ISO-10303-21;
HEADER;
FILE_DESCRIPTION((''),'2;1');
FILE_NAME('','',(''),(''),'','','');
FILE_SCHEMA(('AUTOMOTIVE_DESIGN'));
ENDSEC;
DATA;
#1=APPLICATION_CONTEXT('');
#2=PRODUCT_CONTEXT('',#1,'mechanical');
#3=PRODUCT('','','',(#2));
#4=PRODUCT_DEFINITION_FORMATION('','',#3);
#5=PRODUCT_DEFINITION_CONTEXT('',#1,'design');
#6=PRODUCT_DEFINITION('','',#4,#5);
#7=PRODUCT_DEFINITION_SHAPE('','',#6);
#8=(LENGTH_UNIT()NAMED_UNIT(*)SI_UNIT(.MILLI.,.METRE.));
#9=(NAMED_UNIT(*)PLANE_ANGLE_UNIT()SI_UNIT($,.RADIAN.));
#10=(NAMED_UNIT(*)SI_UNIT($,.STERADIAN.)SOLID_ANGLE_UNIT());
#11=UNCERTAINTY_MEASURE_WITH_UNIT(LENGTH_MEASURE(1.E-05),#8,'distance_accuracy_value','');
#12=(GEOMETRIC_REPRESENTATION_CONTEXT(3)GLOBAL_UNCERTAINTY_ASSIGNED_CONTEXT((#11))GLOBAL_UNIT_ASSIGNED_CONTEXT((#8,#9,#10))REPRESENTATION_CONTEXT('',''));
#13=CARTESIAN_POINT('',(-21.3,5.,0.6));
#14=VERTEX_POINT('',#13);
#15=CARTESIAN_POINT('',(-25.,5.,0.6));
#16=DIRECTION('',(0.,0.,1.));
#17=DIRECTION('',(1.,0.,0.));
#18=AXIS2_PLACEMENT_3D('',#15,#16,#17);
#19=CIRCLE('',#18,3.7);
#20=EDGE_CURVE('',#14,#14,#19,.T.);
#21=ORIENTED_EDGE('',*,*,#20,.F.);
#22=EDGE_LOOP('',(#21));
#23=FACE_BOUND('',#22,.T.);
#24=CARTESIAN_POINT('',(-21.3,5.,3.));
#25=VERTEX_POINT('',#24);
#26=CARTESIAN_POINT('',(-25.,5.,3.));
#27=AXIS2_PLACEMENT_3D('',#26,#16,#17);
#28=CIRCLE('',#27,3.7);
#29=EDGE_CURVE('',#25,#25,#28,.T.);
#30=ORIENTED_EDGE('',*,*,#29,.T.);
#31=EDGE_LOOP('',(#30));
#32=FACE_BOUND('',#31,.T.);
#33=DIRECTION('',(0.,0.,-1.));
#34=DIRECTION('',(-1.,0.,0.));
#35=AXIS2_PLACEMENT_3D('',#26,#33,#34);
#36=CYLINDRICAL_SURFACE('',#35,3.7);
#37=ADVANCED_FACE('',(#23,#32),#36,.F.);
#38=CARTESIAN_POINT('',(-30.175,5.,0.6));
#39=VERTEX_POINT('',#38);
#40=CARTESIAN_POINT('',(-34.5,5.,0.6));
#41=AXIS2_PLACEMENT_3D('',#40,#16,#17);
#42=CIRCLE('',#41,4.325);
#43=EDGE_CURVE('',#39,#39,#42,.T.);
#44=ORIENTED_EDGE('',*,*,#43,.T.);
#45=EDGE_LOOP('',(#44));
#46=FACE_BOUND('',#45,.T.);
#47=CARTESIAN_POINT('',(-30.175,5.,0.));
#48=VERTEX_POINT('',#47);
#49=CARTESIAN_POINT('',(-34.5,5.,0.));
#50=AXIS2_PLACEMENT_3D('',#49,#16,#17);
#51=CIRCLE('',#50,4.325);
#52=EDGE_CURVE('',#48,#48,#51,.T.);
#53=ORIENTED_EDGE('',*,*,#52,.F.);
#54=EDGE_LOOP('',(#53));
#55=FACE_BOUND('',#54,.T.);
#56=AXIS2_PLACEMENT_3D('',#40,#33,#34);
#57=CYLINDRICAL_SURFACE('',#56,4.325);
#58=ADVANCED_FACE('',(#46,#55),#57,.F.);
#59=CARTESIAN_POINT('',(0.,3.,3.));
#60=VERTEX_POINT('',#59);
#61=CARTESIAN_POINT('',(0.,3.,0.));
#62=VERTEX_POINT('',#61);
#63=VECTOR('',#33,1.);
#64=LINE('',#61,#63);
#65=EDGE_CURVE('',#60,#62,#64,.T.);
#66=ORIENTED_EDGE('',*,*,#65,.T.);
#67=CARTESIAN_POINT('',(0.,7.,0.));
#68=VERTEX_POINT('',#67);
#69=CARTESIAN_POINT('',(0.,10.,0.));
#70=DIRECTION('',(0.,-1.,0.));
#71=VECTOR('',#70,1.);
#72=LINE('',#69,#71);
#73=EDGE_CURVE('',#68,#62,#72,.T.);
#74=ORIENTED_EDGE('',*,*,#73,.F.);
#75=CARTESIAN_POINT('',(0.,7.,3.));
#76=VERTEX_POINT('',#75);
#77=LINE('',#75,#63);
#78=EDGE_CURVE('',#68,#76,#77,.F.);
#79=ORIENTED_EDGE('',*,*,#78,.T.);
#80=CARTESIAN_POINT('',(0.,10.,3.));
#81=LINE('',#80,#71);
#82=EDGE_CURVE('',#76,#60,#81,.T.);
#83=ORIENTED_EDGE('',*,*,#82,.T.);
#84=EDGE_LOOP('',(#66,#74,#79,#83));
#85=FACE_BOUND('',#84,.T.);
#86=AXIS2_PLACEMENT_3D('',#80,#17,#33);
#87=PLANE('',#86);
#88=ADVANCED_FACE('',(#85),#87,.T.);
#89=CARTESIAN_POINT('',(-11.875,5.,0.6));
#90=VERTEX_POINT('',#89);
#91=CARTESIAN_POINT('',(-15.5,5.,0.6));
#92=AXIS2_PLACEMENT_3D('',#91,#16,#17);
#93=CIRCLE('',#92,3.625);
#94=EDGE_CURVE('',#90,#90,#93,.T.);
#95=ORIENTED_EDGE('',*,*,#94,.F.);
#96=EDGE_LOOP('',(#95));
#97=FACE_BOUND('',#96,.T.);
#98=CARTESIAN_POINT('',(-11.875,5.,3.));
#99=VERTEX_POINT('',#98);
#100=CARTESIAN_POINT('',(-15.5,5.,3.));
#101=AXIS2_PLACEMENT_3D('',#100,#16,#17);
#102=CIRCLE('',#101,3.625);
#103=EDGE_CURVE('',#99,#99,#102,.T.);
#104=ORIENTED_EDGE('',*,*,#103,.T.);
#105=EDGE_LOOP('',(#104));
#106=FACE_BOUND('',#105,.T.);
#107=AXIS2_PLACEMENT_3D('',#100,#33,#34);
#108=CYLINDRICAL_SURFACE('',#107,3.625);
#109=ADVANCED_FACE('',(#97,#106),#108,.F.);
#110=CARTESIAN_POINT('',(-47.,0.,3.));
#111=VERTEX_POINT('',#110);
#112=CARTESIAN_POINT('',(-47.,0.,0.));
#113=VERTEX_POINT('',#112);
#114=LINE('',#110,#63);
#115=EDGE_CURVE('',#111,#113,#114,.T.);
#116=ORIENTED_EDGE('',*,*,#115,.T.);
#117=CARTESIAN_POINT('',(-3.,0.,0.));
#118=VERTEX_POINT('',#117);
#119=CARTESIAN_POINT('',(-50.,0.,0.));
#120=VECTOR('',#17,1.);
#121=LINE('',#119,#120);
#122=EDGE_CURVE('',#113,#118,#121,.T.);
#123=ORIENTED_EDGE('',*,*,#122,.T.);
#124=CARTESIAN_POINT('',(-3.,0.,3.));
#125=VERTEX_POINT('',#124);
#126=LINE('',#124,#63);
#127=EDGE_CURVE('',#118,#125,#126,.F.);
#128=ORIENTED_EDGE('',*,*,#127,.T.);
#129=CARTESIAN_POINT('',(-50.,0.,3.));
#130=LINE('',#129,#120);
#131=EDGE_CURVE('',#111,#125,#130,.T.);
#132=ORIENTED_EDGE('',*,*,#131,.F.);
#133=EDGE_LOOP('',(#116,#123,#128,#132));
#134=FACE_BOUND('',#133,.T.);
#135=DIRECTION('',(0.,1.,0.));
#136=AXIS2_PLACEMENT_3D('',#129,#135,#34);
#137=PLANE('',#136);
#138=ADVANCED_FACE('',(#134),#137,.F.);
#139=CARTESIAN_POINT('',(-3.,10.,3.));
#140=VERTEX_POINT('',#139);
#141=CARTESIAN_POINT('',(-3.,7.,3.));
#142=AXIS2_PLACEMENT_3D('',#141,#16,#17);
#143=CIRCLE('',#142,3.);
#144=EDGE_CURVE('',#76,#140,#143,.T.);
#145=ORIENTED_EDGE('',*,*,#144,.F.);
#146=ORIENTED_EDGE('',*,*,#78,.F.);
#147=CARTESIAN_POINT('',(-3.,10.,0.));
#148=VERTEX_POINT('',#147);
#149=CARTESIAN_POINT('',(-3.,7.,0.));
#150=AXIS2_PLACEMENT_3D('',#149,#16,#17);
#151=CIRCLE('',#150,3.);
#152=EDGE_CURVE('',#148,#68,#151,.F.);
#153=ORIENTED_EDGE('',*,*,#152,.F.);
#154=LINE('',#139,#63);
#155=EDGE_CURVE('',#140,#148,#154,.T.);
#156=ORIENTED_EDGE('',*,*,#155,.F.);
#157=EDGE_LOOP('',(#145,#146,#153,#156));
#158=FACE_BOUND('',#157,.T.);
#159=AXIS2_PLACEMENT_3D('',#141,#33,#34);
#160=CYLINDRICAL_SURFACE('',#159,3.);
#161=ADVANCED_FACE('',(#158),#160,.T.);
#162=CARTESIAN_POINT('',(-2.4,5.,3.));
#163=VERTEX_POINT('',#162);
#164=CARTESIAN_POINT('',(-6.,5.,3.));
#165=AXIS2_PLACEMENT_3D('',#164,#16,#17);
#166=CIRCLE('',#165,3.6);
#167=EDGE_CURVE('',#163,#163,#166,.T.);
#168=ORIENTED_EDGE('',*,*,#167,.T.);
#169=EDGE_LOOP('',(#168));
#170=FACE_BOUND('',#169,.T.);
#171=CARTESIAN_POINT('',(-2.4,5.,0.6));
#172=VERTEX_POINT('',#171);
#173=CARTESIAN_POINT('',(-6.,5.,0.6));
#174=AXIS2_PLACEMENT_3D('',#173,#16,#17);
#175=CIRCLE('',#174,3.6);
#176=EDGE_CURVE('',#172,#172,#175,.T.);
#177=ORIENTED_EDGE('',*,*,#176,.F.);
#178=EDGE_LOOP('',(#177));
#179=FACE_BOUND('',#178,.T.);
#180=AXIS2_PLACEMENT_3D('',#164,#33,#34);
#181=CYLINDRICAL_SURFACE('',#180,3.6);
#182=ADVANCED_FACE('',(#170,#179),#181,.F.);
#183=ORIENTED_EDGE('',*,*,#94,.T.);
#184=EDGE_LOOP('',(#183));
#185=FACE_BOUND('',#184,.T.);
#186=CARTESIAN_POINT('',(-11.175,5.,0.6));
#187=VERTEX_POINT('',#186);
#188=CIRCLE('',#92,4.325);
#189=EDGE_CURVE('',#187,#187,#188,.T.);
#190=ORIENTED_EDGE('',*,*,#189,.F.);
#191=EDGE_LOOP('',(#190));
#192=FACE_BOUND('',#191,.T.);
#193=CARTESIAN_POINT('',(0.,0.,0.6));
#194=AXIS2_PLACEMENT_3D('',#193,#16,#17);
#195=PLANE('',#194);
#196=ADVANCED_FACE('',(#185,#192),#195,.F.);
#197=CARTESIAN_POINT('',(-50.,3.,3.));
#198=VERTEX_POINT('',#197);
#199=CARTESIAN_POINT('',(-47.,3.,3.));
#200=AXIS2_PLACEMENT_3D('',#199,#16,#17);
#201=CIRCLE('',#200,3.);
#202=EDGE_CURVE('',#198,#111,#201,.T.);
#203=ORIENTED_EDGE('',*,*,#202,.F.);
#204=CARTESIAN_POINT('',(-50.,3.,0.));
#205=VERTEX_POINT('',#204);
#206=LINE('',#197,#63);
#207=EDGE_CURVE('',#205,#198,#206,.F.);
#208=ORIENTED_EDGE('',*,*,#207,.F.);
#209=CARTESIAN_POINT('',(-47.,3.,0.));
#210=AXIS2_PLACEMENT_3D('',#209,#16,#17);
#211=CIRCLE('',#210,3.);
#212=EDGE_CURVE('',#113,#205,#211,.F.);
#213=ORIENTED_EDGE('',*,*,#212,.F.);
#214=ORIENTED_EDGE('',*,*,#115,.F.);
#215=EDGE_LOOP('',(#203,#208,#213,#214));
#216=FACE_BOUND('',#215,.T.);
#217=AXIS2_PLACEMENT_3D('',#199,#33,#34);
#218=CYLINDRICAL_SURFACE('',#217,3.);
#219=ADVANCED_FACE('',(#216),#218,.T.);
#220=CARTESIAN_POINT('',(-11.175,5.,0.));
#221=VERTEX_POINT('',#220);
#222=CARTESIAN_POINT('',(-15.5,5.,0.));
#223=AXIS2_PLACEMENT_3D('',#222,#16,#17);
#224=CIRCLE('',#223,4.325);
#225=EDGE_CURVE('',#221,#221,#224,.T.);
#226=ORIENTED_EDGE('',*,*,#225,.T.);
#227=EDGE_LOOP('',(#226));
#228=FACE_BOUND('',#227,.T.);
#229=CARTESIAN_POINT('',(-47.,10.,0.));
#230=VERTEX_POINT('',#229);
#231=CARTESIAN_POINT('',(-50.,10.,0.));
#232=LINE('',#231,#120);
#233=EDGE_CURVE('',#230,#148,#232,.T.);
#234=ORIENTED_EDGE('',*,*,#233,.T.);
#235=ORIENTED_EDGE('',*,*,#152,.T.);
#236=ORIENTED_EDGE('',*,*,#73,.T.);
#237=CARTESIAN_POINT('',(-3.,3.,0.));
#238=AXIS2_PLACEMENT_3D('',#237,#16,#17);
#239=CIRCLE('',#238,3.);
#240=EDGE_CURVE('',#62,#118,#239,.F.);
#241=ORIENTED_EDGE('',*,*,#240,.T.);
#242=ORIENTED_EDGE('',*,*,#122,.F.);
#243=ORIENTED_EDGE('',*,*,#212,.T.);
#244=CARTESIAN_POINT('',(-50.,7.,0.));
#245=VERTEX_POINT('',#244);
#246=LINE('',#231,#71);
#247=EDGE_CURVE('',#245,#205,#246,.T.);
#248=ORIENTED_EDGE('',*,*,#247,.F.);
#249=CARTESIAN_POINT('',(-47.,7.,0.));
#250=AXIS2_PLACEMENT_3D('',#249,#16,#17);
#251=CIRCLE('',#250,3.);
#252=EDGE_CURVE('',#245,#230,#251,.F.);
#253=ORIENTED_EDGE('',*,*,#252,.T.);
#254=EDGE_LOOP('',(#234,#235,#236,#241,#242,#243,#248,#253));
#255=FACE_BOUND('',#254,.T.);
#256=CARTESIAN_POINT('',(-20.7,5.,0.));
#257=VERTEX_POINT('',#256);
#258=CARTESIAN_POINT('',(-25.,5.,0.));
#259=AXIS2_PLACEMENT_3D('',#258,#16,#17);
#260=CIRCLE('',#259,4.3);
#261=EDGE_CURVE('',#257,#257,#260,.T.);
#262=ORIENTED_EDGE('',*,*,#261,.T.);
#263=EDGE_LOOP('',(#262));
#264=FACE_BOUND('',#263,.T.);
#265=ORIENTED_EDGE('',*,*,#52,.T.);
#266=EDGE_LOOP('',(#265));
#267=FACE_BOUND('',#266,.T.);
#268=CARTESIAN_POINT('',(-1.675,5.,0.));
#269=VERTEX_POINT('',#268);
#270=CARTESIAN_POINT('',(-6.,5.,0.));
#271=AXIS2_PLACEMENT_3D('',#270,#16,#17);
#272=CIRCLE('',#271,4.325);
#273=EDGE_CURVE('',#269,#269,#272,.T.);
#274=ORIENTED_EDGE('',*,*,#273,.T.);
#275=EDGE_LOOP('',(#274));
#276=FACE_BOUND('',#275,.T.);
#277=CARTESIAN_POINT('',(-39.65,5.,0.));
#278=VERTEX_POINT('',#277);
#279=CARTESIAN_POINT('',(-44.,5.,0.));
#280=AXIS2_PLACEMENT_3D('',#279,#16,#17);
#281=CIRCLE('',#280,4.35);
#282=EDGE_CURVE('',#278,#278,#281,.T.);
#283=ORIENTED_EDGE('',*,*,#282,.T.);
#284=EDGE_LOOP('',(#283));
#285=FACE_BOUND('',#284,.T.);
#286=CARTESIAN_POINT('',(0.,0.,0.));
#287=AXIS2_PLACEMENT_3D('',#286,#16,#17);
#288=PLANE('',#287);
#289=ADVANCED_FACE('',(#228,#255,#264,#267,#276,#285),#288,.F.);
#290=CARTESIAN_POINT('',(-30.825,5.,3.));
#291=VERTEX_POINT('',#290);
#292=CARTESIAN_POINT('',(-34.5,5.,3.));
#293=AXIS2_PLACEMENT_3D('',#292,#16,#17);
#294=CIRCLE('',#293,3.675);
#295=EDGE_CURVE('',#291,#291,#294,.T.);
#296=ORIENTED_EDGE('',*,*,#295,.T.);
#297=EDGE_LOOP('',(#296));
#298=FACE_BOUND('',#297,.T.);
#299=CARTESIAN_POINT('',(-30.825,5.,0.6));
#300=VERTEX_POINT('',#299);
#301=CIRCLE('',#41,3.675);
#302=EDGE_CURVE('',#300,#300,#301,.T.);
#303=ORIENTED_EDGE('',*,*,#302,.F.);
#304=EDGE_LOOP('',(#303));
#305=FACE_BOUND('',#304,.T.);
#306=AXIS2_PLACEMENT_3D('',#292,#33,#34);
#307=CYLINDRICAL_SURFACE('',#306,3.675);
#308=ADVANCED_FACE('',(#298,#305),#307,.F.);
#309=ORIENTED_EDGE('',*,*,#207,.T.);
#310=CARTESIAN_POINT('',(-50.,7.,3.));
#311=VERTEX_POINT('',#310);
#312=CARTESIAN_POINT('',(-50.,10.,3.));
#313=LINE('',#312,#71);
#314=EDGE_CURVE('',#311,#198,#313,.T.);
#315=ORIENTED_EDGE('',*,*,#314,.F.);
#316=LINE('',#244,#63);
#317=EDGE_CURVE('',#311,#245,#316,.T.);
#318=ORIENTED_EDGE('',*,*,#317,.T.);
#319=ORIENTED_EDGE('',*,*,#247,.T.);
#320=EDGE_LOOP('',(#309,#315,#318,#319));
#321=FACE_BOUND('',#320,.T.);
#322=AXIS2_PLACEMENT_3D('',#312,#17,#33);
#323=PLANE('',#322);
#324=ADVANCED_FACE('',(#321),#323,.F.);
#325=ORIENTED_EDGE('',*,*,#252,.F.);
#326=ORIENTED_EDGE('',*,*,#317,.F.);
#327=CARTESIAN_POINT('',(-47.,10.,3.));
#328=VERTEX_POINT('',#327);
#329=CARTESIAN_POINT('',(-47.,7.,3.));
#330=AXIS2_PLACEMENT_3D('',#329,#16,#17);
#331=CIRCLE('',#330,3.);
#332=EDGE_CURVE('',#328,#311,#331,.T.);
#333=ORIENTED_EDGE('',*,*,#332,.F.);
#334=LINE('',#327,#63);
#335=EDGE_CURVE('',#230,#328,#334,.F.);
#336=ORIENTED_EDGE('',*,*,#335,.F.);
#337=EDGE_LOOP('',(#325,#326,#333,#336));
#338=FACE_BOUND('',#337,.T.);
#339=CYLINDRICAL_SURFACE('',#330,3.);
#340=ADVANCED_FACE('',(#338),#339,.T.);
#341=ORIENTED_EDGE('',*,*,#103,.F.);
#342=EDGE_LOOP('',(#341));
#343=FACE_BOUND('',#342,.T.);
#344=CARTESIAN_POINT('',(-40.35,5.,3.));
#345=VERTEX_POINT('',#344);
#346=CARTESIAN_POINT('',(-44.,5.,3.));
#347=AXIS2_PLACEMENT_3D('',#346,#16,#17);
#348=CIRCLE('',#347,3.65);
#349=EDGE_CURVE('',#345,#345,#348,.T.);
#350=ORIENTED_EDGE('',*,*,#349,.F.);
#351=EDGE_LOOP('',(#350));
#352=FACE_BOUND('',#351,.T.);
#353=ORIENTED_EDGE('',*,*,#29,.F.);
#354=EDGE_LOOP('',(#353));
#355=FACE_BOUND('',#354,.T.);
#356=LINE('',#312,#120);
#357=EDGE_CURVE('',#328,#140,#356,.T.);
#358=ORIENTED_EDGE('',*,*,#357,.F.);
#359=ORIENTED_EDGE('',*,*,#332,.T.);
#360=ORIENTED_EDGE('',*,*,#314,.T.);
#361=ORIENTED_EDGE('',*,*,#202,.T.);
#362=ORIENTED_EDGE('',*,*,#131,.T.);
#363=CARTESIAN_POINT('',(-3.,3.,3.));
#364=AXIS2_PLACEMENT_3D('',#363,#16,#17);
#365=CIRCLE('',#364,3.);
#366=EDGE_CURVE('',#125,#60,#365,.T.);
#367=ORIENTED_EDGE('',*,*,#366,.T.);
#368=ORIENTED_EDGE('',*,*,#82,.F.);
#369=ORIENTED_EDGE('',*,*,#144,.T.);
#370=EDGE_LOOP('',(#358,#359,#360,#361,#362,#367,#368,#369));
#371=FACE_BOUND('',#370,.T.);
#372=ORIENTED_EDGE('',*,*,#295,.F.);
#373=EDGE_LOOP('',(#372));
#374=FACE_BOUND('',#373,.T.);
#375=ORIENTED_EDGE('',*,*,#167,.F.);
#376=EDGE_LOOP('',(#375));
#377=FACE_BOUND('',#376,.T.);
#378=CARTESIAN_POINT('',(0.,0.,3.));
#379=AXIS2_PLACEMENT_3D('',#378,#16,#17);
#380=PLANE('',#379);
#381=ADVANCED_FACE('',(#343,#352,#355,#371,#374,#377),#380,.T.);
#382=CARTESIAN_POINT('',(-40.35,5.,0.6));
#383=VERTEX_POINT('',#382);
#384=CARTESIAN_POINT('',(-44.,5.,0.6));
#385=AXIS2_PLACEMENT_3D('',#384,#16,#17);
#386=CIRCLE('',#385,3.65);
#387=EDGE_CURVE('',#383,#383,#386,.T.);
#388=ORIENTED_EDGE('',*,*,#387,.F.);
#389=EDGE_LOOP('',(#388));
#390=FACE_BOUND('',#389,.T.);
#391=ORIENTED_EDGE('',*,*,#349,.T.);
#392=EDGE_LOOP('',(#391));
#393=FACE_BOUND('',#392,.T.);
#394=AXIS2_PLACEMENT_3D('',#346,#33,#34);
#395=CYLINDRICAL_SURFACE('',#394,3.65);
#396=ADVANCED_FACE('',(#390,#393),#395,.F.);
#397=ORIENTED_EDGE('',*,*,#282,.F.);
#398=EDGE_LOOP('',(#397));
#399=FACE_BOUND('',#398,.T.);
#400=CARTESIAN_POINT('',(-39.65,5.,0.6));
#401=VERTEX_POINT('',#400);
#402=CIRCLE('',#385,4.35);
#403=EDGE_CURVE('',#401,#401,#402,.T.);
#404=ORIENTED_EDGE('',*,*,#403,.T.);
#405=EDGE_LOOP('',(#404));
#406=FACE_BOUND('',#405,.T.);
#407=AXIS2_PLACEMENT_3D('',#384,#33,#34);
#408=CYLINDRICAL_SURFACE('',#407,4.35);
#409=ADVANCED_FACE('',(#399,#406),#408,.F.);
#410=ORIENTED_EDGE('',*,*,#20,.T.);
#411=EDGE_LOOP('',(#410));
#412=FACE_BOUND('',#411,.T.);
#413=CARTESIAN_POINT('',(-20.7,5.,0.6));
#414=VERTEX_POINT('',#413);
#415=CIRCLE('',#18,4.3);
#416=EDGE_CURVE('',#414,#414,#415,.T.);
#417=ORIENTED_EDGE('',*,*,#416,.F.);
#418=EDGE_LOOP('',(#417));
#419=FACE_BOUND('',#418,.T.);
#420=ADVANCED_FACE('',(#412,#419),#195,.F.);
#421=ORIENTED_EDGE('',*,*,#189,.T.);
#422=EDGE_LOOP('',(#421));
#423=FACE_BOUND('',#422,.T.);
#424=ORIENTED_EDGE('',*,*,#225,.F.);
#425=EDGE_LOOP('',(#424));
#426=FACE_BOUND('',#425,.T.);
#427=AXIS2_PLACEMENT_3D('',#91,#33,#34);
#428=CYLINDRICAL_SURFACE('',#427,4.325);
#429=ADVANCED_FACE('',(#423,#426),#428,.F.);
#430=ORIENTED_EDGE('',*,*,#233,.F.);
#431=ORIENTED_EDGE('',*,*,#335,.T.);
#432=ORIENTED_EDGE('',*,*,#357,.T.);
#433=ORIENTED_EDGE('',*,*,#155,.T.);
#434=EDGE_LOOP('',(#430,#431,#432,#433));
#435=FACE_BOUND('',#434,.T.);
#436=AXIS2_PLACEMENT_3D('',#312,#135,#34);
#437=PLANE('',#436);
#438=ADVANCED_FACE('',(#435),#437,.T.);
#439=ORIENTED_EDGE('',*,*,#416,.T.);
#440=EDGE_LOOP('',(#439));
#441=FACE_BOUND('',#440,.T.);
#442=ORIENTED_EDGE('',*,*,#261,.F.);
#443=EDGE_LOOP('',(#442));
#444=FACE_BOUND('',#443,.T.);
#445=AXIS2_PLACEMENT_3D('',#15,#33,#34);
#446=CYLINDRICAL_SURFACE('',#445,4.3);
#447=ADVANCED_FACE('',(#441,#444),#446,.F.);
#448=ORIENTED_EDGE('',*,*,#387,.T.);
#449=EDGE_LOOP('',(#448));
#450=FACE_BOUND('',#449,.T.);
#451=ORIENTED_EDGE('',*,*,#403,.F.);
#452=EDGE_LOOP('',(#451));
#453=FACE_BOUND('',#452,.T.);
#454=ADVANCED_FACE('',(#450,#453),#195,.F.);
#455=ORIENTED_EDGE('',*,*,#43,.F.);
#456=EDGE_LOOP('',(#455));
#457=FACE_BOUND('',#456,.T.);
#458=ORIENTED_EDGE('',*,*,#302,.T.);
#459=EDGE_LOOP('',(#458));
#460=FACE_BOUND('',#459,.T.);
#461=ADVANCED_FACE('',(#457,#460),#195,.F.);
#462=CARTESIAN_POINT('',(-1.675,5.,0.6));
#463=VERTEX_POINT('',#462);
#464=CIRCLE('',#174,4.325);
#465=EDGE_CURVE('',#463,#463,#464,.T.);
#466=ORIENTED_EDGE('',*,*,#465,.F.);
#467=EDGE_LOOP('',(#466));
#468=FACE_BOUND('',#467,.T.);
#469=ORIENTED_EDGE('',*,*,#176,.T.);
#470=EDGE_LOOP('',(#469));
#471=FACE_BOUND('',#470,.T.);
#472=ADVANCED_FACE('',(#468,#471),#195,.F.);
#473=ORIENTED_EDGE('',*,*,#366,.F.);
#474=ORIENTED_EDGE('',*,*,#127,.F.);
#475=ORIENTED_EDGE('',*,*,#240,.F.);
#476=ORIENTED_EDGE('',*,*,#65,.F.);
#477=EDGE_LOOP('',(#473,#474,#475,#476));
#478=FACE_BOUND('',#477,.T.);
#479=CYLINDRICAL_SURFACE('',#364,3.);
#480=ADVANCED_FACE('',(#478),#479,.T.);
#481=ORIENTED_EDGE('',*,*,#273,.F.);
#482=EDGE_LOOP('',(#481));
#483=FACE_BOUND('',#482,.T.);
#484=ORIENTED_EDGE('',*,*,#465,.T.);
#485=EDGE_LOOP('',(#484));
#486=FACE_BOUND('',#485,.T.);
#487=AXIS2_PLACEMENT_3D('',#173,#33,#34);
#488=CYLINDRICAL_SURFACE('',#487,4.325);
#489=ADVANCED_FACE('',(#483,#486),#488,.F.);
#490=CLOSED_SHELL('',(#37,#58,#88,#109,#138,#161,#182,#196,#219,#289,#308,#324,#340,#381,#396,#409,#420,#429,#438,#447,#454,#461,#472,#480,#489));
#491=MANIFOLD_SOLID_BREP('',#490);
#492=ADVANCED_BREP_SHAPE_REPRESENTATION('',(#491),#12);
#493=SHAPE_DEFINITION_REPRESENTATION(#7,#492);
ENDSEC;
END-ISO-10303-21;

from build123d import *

# Parameters (mm, degrees)
SKETCH_1_W          = 50
SKETCH_1_H          = 10
EXTRUDE_1_DEPTH     = 3
SKETCH_1_3_R        = 3.65
SKETCH_1_3_R_2      = 3.675
SKETCH_1_3_R_3      = 3.7
SKETCH_1_3_R_4      = 3.625
SKETCH_1_3_R_5      = 3.6
CUT_EXTRUDE_1_DEPTH = 52.078371156
SKETCH_1_4_R        = 4.35
SKETCH_1_4_R_2      = 3.65
SKETCH_1_4_R_3      = 4.325
SKETCH_1_4_R_4      = 3.675
SKETCH_1_4_R_5      = 4.3
SKETCH_1_4_R_6      = 3.7
SKETCH_1_4_R_7      = 3.625
SKETCH_1_4_R_8      = 3.6
CUT_EXTRUDE_2_DEPTH = 0.6
FILLET_4_R          = 3


with BuildPart() as part:
    # 草图1 → 凸台-拉伸1 (new body)
    with BuildSketch(Plane.XY):
        with Locations((-25, 5)):
            Rectangle(SKETCH_1_W, SKETCH_1_H)
    extrude(amount=EXTRUDE_1_DEPTH)

    # 草图1<3> → 切除-拉伸1 (cut, through all)
    with BuildSketch(Plane.XY):
        with Locations((-44, 5)):
            Circle(SKETCH_1_3_R)
        with Locations((-34.5, 5)):
            Circle(SKETCH_1_3_R_2)
        with Locations((-25, 5)):
            Circle(SKETCH_1_3_R_3)
        with Locations((-15.5, 5)):
            Circle(SKETCH_1_3_R_4)
        with Locations((-6, 5)):
            Circle(SKETCH_1_3_R_5)
    extrude(amount=CUT_EXTRUDE_1_DEPTH, mode=Mode.SUBTRACT)

    # 草图1<4> → 切除-拉伸2 (cut)
    # profile 1 of 5: a face of its own
    with BuildSketch(Plane.XY):
        with Locations((-44, 5)):
            Circle(SKETCH_1_4_R)
        with Locations((-44, 5)):
            Circle(SKETCH_1_4_R_2, mode=Mode.SUBTRACT)
    # profile 2 of 5: a face of its own
    with BuildSketch(Plane.XY):
        with Locations((-34.5, 5)):
            Circle(SKETCH_1_4_R_3)
        with Locations((-34.5, 5)):
            Circle(SKETCH_1_4_R_4, mode=Mode.SUBTRACT)
    # profile 3 of 5: a face of its own
    with BuildSketch(Plane.XY):
        with Locations((-25, 5)):
            Circle(SKETCH_1_4_R_5)
        with Locations((-25, 5)):
            Circle(SKETCH_1_4_R_6, mode=Mode.SUBTRACT)
    # profile 4 of 5: a face of its own
    with BuildSketch(Plane.XY):
        with Locations((-15.5, 5)):
            Circle(SKETCH_1_4_R_3)
        with Locations((-15.5, 5)):
            Circle(SKETCH_1_4_R_7, mode=Mode.SUBTRACT)
    # profile 5 of 5: a face of its own
    with BuildSketch(Plane.XY):
        with Locations((-6, 5)):
            Circle(SKETCH_1_4_R_3)
        with Locations((-6, 5)):
            Circle(SKETCH_1_4_R_8, mode=Mode.SUBTRACT)
    extrude(amount=CUT_EXTRUDE_2_DEPTH, mode=Mode.SUBTRACT)

    # 圆角4
    fillet_4_edges = [part.edges().sort_by_distance(p)[0] for p in [
        (-50, 10, 1.5),
        (-50, 0, 1.5),
        (0, 10, 1.5),
        (0, 0, 1.5),
    ]]
    fillet(fillet_4_edges, radius=FILLET_4_R)


solid = part.part
